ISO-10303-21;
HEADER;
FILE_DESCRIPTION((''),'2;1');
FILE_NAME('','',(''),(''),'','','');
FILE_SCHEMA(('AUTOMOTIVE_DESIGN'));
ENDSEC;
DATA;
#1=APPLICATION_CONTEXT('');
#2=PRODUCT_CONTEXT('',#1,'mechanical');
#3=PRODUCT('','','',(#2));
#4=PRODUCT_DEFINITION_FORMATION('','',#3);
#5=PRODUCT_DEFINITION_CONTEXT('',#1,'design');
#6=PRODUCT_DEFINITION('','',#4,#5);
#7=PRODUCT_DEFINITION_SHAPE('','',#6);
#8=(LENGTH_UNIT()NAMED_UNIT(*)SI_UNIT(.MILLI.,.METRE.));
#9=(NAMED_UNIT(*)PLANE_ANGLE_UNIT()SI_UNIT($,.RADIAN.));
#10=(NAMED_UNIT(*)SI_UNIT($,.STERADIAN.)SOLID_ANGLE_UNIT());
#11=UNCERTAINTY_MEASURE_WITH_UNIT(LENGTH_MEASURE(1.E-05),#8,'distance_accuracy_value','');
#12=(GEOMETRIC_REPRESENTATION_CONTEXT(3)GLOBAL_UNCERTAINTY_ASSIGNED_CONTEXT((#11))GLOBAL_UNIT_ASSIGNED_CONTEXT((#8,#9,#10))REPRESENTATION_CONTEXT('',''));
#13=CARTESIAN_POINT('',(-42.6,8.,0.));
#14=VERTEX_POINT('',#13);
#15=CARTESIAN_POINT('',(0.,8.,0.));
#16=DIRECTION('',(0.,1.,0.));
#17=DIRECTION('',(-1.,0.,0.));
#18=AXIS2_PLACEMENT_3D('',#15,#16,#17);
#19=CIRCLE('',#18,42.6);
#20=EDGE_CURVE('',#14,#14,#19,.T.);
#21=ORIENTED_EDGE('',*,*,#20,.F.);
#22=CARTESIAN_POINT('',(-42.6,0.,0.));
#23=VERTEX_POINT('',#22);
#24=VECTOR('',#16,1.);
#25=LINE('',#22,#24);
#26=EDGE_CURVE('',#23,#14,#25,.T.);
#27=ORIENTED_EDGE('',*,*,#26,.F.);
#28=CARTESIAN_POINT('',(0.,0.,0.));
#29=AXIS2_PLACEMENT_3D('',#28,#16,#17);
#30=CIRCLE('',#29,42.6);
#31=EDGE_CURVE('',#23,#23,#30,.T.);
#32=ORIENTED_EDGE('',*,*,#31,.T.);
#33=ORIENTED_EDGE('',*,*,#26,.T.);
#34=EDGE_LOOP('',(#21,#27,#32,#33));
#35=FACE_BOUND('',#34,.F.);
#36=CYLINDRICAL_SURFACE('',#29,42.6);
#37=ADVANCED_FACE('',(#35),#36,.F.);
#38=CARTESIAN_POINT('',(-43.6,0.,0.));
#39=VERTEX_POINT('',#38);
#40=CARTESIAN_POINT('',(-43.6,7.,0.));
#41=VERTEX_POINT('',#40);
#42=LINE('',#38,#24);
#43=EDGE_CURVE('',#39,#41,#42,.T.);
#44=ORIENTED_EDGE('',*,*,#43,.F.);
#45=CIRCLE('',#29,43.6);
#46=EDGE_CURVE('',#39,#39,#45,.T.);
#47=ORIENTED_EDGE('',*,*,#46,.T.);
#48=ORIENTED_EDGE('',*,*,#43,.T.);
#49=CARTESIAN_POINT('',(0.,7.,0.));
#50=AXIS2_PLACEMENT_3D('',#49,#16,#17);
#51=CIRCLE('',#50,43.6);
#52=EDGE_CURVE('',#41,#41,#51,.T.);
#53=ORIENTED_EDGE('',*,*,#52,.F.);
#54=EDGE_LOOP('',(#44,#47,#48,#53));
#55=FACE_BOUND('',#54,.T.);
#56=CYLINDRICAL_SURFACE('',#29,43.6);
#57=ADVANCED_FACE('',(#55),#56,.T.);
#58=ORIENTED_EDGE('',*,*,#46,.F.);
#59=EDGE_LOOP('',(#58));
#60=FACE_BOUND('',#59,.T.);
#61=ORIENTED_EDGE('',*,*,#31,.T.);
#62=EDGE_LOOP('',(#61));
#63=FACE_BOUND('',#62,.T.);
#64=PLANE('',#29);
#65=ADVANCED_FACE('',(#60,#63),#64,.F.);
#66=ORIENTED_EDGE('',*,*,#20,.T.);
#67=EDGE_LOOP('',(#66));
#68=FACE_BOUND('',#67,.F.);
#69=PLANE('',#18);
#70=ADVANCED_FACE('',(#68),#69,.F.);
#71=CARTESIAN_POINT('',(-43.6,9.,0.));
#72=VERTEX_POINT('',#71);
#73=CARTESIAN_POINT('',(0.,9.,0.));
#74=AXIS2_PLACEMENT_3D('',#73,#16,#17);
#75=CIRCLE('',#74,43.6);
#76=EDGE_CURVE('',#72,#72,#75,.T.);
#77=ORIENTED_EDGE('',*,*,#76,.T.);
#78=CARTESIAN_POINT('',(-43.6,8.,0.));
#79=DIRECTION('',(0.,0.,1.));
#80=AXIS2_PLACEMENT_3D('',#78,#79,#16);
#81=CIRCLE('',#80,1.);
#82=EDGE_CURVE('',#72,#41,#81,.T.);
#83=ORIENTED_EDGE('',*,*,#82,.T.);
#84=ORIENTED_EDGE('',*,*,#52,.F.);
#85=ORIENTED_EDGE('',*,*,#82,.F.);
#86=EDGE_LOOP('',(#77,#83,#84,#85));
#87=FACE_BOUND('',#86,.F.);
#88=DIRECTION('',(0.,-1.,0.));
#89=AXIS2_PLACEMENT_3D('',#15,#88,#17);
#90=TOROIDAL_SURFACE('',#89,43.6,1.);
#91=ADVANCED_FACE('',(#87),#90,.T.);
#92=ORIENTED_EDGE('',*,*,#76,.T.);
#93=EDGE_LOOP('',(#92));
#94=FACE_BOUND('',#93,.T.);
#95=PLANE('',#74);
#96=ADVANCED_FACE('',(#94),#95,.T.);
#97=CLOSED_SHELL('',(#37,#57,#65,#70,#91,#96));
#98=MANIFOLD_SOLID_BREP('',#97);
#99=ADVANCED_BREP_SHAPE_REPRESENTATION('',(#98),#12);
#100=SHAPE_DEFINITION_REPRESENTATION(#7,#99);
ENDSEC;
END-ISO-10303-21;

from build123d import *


with BuildPart() as part:
    # Sketch (on XY_Plane of Origin) → Revolution (revolve)
    with BuildSketch(Plane.XY):
        with BuildLine():
            Line((-42.6, 0), (-43.6, 0))
            Line((-43.6, 0), (-43.6, 7))
            ThreePointArc((-43.6, 9), (-44.6, 8), (-43.6, 7))
            Line((-43.6, 9), (0, 9))
            Line((0, 9), (0, 8))
            Line((-42.6, 8), (0, 8))
            Line((-42.6, 0), (-42.6, 8))
        make_face()
    revolve(axis=Axis((0, 0, 0), (0, 1, 0)))


solid = part.part
